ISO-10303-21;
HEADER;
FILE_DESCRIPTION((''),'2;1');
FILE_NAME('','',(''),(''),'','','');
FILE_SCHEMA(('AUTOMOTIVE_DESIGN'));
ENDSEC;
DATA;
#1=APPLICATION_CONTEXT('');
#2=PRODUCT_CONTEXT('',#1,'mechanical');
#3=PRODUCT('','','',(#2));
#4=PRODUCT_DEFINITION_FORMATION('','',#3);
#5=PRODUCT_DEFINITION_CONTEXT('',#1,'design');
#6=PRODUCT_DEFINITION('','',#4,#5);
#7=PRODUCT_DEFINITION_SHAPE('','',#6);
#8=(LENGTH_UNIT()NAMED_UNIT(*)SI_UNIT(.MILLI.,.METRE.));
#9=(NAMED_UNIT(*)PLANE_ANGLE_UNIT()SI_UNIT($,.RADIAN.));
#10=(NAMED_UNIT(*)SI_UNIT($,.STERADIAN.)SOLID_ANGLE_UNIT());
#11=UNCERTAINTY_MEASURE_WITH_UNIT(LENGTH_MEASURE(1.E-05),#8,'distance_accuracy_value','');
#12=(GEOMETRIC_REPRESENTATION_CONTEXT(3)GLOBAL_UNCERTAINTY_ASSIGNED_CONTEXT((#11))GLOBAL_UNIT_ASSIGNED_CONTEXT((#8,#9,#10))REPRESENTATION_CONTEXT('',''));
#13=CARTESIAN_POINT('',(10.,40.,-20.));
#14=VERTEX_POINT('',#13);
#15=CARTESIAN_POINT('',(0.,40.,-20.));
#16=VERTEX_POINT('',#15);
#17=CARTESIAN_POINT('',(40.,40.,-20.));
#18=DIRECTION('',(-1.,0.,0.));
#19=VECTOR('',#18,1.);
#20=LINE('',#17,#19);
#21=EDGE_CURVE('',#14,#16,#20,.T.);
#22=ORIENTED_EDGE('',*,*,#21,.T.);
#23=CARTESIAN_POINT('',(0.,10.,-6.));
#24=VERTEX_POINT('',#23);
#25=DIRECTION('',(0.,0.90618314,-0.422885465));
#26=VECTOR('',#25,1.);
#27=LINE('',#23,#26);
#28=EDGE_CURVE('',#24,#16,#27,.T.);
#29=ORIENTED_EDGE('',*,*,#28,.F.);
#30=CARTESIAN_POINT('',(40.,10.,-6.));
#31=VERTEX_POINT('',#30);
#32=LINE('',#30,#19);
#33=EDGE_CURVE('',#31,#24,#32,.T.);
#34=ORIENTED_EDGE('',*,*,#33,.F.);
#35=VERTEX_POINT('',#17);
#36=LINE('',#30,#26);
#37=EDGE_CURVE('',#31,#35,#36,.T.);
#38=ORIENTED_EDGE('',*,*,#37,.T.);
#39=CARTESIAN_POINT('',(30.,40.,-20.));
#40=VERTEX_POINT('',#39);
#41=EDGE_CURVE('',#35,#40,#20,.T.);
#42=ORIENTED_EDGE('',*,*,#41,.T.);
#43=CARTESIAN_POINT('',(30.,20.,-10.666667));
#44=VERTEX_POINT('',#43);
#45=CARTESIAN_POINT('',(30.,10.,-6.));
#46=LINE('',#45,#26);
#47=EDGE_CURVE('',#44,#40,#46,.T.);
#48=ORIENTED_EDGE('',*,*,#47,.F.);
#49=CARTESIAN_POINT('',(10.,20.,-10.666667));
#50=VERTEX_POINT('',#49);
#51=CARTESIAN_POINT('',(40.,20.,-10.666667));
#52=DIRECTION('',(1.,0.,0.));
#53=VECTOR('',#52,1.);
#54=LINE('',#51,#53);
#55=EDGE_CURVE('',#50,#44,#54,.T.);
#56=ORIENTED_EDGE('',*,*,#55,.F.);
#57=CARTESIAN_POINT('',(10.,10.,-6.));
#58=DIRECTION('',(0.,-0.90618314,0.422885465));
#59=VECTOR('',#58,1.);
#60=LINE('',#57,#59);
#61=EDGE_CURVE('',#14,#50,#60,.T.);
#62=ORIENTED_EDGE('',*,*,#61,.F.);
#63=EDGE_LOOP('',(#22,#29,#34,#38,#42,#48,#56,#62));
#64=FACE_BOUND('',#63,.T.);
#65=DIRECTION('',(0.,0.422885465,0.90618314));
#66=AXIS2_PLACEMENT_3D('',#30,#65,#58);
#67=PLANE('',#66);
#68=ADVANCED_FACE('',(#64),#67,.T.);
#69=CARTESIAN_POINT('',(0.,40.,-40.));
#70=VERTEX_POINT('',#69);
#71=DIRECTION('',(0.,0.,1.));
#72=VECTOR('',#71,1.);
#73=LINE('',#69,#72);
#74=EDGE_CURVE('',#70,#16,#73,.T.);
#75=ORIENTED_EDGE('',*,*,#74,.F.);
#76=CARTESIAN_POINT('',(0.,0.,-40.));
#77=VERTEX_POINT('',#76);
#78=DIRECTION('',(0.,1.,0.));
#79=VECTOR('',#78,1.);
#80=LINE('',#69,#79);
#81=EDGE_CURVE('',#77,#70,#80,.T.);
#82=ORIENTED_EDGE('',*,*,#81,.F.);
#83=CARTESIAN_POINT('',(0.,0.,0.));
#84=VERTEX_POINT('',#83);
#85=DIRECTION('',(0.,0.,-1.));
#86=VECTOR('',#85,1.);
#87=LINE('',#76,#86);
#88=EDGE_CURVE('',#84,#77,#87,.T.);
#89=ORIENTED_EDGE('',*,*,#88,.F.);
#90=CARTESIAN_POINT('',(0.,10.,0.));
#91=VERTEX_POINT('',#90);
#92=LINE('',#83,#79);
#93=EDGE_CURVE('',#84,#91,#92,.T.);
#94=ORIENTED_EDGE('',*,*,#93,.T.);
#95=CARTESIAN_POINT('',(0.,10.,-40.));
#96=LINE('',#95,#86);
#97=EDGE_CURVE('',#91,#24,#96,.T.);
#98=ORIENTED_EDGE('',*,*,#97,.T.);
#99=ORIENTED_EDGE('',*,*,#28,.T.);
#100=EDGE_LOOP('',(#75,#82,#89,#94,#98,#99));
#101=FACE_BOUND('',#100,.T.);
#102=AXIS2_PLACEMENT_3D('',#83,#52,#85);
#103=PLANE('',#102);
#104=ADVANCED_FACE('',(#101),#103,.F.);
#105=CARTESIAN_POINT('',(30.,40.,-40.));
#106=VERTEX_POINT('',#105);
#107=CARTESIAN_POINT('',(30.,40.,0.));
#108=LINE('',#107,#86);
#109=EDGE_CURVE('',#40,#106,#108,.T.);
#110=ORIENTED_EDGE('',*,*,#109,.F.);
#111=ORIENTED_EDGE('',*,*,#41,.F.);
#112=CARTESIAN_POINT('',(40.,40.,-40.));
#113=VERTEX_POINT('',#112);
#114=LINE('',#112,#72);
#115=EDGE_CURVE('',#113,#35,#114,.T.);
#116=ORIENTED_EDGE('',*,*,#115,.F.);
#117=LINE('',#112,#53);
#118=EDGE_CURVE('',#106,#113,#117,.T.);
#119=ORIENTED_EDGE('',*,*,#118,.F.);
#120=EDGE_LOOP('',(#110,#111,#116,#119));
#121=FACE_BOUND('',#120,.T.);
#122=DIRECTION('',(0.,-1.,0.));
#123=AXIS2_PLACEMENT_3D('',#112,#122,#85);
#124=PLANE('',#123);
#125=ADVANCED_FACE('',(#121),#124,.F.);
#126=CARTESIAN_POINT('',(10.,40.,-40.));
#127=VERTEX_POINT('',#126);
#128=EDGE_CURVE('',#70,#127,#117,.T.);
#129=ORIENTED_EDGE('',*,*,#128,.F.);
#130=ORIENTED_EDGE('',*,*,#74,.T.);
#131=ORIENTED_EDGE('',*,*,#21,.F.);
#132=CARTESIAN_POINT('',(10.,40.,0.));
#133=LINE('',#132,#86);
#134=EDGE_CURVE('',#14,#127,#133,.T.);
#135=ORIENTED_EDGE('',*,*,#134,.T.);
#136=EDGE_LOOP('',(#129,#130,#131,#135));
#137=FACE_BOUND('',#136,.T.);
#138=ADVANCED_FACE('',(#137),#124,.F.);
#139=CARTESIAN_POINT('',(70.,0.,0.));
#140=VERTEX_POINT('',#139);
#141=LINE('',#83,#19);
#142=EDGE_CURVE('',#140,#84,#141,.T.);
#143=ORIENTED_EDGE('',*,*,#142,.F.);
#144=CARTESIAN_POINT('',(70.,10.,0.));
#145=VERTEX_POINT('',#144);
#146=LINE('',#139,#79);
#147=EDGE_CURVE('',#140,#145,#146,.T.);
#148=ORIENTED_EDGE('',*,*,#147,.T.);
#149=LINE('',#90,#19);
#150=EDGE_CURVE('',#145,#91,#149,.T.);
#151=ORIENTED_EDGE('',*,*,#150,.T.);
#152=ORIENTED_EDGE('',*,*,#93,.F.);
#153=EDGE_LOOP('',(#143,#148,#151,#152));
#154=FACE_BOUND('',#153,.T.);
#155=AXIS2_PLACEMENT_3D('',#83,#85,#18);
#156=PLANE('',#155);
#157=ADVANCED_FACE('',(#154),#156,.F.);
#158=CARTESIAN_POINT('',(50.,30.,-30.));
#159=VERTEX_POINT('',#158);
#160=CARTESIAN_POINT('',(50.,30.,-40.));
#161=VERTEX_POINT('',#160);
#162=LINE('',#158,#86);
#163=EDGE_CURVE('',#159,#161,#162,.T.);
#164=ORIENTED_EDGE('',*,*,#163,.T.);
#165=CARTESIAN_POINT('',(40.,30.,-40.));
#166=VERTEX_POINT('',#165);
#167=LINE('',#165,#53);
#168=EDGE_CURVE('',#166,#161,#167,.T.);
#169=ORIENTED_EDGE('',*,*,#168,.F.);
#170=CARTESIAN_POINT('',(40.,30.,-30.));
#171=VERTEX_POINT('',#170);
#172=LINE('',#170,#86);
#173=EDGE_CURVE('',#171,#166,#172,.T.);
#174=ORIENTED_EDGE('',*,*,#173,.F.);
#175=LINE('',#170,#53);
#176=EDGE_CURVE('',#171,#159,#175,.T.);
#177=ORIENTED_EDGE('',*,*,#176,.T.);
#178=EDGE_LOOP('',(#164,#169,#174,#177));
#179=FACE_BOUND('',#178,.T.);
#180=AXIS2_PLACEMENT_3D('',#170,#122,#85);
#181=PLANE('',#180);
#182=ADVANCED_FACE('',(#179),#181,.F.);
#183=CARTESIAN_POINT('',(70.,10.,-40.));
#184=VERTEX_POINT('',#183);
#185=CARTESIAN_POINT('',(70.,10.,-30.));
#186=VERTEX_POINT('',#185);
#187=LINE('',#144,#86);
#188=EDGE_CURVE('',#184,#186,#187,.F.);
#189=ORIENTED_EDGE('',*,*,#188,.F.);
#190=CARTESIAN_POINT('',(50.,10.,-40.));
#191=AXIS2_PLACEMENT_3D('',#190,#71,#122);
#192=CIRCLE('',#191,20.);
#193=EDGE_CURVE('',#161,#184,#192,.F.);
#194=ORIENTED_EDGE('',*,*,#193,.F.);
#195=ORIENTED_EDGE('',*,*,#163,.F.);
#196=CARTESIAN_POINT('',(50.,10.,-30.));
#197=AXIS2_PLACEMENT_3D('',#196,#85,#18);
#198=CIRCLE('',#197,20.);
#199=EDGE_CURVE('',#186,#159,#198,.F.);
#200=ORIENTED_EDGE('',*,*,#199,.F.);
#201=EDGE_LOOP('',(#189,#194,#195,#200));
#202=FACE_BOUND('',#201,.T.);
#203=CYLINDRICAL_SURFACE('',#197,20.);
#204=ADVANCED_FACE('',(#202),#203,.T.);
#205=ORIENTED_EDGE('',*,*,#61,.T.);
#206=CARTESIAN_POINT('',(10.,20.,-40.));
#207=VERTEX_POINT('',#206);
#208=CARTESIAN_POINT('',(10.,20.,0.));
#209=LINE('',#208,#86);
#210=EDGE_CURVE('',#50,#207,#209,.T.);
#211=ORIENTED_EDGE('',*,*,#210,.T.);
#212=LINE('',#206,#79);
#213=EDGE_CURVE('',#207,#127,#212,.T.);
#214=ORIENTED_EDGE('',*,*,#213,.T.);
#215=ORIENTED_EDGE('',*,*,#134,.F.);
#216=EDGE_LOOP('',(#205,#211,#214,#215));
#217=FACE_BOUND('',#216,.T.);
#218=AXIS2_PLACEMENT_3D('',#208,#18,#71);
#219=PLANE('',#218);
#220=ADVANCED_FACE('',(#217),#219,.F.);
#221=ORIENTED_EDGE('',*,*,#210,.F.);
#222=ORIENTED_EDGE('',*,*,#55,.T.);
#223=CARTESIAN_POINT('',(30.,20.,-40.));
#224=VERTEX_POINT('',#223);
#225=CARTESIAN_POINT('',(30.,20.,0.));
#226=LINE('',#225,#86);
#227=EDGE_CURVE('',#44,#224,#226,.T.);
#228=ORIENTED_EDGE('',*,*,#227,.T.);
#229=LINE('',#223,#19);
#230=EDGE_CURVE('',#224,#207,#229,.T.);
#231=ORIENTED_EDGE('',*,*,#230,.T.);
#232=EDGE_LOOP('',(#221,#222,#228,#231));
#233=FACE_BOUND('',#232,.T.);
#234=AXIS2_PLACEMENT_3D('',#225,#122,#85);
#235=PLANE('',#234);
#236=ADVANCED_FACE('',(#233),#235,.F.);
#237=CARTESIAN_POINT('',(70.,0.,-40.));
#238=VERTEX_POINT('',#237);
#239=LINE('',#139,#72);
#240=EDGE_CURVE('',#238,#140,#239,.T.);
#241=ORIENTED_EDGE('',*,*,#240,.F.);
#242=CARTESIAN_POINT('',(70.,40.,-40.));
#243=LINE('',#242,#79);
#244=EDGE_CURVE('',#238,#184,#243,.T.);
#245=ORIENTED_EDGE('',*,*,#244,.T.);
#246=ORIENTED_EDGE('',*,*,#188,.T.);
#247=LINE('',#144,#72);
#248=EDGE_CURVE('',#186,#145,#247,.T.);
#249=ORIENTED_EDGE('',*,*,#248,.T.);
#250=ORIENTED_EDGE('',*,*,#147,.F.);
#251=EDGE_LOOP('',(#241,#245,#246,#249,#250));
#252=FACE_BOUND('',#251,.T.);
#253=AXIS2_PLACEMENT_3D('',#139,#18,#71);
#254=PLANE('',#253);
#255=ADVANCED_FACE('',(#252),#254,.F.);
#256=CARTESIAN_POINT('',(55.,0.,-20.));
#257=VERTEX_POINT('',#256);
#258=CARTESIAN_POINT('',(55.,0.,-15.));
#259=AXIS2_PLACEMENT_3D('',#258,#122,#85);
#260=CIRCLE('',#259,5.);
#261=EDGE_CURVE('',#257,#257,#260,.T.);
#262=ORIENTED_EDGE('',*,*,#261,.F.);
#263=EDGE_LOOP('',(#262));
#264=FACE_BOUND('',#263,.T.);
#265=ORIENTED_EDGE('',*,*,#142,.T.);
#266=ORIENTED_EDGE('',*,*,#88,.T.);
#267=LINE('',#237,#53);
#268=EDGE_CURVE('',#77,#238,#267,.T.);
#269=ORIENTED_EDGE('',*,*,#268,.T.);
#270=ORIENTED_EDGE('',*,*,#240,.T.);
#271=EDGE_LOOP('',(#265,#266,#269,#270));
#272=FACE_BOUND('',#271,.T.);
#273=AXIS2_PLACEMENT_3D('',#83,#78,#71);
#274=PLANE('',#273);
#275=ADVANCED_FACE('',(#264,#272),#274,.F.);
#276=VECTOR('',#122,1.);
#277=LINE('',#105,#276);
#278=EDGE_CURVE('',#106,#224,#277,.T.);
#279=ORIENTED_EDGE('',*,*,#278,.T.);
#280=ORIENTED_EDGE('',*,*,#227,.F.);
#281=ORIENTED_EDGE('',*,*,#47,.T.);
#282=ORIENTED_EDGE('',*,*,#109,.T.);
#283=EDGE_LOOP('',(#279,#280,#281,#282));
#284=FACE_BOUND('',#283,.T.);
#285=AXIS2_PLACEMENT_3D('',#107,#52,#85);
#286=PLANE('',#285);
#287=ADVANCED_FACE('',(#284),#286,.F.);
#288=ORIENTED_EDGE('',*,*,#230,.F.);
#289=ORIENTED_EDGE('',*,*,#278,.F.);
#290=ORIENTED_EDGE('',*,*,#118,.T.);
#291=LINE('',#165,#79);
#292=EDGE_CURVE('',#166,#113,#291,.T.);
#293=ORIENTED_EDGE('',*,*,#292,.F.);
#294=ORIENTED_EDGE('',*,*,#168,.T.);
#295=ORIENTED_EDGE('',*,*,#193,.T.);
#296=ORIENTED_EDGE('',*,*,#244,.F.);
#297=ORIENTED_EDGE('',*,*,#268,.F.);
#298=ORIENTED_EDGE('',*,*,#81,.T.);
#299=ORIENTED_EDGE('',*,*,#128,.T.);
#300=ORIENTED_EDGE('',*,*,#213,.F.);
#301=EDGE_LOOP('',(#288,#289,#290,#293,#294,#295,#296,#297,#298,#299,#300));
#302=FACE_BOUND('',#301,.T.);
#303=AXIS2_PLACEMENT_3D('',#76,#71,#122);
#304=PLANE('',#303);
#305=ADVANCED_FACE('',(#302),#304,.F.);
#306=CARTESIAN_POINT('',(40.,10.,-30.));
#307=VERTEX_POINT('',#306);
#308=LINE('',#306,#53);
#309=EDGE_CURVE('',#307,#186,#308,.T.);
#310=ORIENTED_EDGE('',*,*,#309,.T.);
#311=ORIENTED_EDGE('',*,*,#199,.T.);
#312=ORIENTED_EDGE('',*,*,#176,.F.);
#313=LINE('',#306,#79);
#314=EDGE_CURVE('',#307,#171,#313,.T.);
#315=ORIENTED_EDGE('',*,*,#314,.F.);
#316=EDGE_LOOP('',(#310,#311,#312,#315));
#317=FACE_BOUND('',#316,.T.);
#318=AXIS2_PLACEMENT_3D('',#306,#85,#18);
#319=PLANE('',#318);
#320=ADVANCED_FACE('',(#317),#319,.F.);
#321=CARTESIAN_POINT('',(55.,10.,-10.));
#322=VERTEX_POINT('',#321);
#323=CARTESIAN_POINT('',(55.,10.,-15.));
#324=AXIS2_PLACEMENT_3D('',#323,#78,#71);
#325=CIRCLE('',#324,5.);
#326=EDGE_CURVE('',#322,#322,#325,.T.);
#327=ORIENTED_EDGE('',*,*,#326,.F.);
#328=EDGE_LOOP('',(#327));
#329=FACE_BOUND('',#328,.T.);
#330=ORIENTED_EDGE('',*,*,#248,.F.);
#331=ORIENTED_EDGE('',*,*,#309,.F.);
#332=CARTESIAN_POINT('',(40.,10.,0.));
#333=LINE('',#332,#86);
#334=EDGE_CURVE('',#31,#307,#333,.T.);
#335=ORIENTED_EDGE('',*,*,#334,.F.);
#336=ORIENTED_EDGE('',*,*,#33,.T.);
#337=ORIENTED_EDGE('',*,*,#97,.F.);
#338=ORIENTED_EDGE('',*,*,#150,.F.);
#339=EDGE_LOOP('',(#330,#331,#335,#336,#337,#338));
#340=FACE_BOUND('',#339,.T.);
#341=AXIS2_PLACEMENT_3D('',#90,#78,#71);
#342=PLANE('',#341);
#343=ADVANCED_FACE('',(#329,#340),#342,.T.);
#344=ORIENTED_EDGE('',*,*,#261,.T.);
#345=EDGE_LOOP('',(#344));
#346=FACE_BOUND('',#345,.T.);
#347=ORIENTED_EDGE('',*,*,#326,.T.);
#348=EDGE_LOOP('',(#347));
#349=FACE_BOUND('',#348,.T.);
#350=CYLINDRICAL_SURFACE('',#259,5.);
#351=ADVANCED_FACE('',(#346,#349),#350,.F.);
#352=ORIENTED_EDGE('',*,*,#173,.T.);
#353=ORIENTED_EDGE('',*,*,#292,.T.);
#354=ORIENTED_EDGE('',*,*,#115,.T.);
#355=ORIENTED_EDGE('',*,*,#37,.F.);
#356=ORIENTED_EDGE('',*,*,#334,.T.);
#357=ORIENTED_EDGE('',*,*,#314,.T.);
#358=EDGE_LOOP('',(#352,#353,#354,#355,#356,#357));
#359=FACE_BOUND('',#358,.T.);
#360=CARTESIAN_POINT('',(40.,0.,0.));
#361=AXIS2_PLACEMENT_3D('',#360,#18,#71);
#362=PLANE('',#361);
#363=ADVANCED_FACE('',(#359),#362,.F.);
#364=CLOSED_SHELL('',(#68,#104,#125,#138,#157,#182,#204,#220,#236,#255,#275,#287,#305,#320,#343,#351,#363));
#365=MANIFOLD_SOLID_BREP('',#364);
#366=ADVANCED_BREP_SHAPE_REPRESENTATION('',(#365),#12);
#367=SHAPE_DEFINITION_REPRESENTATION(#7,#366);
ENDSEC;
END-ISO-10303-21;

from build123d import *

# Parameters (mm, degrees)
BOSS_EXTRUDE1_DEPTH            = 40
SKETCH2_W                      = 40
SKETCH2_H                      = 30
BOSS_EXTRUDE2_DEPTH            = 20
BOSS_EXTRUDE3_DEPTH            = 30
CUT_EXTRUDE1_DEPTH             = 30
SKETCH5_W                      = 70
SKETCH5_H                      = 40
BOSS_EXTRUDE4_DEPTH            = 10
SKETCH6_W                      = 20
SKETCH6_H                      = 20
CUT_EXTRUDE2_DEPTH             = 41
F_10_0_10_DIAMETER_HOLE1_D     = 10
F_10_0_10_DIAMETER_HOLE1_DEPTH = 40
FILLET1_R                      = 20


with BuildPart() as part:
    # Sketch1 → Boss-Extrude1 (new body)
    with BuildSketch(Plane(origin=(0, 0, 0), x_dir=(0, -1, 0), z_dir=(-1, 0, 0))):
        Polygon((-10, -6), (-40, -20), (-10, -20), align=None)
    extrude(amount=-BOSS_EXTRUDE1_DEPTH)

    # Sketch2 → Boss-Extrude2 (add)
    with BuildSketch(Plane(origin=(0, 0, -20), x_dir=(-1, 0, 0), z_dir=(0, 0, -1))):
        with Locations((-20, 25)):
            Rectangle(SKETCH2_W, SKETCH2_H)
    extrude(amount=BOSS_EXTRUDE2_DEPTH)

    # Sketch3 → Boss-Extrude3 (add)
    with BuildSketch(Plane(origin=(40, 0, 0), x_dir=(0, 0, -1), z_dir=(1, 0, 0))):
        Polygon((40, 10), (0, 10), (20, 40), (40, 40), align=None)
    extrude(amount=BOSS_EXTRUDE3_DEPTH)

    # Sketch4 → Cut-Extrude1 (cut)
    with BuildSketch(Plane(origin=(70, 0, 0), x_dir=(0, 0, -1), z_dir=(1, 0, 0))):
        Polygon((20, 40), (0, 10), (30, 10), (30, 30), (40, 30), (40, 40), align=None)
    extrude(amount=-CUT_EXTRUDE1_DEPTH, mode=Mode.SUBTRACT)

    # Sketch5 → Boss-Extrude4 (add)
    with BuildSketch(Plane.XZ.offset(-10)):
        with Locations((35, -20)):
            Rectangle(SKETCH5_W, SKETCH5_H)
    extrude(amount=BOSS_EXTRUDE4_DEPTH)

    # Sketch6 → Cut-Extrude2 (cut, through all)
    with BuildSketch(Plane(origin=(0, 0, -40), x_dir=(-1, 0, 0), z_dir=(0, 0, -1))):
        with Locations((-20, 30)):
            Rectangle(SKETCH6_W, SKETCH6_H)
    extrude(amount=-CUT_EXTRUDE2_DEPTH, mode=Mode.SUBTRACT)

    # Ø10.0 (10) Diameter Hole1
    with Locations(Plane(origin=(0, 0, 0), x_dir=(-1, 0, 0), z_dir=(0, -1, 0))):
        with Locations((-55, 15)):
            Hole(F_10_0_10_DIAMETER_HOLE1_D / 2, depth=F_10_0_10_DIAMETER_HOLE1_DEPTH)

    # Fillet1
    fillet1_edges = [part.edges().sort_by_distance(p)[0] for p in [
        (70, 30, -35),
    ]]
    fillet(fillet1_edges, radius=FILLET1_R)


solid = part.part
